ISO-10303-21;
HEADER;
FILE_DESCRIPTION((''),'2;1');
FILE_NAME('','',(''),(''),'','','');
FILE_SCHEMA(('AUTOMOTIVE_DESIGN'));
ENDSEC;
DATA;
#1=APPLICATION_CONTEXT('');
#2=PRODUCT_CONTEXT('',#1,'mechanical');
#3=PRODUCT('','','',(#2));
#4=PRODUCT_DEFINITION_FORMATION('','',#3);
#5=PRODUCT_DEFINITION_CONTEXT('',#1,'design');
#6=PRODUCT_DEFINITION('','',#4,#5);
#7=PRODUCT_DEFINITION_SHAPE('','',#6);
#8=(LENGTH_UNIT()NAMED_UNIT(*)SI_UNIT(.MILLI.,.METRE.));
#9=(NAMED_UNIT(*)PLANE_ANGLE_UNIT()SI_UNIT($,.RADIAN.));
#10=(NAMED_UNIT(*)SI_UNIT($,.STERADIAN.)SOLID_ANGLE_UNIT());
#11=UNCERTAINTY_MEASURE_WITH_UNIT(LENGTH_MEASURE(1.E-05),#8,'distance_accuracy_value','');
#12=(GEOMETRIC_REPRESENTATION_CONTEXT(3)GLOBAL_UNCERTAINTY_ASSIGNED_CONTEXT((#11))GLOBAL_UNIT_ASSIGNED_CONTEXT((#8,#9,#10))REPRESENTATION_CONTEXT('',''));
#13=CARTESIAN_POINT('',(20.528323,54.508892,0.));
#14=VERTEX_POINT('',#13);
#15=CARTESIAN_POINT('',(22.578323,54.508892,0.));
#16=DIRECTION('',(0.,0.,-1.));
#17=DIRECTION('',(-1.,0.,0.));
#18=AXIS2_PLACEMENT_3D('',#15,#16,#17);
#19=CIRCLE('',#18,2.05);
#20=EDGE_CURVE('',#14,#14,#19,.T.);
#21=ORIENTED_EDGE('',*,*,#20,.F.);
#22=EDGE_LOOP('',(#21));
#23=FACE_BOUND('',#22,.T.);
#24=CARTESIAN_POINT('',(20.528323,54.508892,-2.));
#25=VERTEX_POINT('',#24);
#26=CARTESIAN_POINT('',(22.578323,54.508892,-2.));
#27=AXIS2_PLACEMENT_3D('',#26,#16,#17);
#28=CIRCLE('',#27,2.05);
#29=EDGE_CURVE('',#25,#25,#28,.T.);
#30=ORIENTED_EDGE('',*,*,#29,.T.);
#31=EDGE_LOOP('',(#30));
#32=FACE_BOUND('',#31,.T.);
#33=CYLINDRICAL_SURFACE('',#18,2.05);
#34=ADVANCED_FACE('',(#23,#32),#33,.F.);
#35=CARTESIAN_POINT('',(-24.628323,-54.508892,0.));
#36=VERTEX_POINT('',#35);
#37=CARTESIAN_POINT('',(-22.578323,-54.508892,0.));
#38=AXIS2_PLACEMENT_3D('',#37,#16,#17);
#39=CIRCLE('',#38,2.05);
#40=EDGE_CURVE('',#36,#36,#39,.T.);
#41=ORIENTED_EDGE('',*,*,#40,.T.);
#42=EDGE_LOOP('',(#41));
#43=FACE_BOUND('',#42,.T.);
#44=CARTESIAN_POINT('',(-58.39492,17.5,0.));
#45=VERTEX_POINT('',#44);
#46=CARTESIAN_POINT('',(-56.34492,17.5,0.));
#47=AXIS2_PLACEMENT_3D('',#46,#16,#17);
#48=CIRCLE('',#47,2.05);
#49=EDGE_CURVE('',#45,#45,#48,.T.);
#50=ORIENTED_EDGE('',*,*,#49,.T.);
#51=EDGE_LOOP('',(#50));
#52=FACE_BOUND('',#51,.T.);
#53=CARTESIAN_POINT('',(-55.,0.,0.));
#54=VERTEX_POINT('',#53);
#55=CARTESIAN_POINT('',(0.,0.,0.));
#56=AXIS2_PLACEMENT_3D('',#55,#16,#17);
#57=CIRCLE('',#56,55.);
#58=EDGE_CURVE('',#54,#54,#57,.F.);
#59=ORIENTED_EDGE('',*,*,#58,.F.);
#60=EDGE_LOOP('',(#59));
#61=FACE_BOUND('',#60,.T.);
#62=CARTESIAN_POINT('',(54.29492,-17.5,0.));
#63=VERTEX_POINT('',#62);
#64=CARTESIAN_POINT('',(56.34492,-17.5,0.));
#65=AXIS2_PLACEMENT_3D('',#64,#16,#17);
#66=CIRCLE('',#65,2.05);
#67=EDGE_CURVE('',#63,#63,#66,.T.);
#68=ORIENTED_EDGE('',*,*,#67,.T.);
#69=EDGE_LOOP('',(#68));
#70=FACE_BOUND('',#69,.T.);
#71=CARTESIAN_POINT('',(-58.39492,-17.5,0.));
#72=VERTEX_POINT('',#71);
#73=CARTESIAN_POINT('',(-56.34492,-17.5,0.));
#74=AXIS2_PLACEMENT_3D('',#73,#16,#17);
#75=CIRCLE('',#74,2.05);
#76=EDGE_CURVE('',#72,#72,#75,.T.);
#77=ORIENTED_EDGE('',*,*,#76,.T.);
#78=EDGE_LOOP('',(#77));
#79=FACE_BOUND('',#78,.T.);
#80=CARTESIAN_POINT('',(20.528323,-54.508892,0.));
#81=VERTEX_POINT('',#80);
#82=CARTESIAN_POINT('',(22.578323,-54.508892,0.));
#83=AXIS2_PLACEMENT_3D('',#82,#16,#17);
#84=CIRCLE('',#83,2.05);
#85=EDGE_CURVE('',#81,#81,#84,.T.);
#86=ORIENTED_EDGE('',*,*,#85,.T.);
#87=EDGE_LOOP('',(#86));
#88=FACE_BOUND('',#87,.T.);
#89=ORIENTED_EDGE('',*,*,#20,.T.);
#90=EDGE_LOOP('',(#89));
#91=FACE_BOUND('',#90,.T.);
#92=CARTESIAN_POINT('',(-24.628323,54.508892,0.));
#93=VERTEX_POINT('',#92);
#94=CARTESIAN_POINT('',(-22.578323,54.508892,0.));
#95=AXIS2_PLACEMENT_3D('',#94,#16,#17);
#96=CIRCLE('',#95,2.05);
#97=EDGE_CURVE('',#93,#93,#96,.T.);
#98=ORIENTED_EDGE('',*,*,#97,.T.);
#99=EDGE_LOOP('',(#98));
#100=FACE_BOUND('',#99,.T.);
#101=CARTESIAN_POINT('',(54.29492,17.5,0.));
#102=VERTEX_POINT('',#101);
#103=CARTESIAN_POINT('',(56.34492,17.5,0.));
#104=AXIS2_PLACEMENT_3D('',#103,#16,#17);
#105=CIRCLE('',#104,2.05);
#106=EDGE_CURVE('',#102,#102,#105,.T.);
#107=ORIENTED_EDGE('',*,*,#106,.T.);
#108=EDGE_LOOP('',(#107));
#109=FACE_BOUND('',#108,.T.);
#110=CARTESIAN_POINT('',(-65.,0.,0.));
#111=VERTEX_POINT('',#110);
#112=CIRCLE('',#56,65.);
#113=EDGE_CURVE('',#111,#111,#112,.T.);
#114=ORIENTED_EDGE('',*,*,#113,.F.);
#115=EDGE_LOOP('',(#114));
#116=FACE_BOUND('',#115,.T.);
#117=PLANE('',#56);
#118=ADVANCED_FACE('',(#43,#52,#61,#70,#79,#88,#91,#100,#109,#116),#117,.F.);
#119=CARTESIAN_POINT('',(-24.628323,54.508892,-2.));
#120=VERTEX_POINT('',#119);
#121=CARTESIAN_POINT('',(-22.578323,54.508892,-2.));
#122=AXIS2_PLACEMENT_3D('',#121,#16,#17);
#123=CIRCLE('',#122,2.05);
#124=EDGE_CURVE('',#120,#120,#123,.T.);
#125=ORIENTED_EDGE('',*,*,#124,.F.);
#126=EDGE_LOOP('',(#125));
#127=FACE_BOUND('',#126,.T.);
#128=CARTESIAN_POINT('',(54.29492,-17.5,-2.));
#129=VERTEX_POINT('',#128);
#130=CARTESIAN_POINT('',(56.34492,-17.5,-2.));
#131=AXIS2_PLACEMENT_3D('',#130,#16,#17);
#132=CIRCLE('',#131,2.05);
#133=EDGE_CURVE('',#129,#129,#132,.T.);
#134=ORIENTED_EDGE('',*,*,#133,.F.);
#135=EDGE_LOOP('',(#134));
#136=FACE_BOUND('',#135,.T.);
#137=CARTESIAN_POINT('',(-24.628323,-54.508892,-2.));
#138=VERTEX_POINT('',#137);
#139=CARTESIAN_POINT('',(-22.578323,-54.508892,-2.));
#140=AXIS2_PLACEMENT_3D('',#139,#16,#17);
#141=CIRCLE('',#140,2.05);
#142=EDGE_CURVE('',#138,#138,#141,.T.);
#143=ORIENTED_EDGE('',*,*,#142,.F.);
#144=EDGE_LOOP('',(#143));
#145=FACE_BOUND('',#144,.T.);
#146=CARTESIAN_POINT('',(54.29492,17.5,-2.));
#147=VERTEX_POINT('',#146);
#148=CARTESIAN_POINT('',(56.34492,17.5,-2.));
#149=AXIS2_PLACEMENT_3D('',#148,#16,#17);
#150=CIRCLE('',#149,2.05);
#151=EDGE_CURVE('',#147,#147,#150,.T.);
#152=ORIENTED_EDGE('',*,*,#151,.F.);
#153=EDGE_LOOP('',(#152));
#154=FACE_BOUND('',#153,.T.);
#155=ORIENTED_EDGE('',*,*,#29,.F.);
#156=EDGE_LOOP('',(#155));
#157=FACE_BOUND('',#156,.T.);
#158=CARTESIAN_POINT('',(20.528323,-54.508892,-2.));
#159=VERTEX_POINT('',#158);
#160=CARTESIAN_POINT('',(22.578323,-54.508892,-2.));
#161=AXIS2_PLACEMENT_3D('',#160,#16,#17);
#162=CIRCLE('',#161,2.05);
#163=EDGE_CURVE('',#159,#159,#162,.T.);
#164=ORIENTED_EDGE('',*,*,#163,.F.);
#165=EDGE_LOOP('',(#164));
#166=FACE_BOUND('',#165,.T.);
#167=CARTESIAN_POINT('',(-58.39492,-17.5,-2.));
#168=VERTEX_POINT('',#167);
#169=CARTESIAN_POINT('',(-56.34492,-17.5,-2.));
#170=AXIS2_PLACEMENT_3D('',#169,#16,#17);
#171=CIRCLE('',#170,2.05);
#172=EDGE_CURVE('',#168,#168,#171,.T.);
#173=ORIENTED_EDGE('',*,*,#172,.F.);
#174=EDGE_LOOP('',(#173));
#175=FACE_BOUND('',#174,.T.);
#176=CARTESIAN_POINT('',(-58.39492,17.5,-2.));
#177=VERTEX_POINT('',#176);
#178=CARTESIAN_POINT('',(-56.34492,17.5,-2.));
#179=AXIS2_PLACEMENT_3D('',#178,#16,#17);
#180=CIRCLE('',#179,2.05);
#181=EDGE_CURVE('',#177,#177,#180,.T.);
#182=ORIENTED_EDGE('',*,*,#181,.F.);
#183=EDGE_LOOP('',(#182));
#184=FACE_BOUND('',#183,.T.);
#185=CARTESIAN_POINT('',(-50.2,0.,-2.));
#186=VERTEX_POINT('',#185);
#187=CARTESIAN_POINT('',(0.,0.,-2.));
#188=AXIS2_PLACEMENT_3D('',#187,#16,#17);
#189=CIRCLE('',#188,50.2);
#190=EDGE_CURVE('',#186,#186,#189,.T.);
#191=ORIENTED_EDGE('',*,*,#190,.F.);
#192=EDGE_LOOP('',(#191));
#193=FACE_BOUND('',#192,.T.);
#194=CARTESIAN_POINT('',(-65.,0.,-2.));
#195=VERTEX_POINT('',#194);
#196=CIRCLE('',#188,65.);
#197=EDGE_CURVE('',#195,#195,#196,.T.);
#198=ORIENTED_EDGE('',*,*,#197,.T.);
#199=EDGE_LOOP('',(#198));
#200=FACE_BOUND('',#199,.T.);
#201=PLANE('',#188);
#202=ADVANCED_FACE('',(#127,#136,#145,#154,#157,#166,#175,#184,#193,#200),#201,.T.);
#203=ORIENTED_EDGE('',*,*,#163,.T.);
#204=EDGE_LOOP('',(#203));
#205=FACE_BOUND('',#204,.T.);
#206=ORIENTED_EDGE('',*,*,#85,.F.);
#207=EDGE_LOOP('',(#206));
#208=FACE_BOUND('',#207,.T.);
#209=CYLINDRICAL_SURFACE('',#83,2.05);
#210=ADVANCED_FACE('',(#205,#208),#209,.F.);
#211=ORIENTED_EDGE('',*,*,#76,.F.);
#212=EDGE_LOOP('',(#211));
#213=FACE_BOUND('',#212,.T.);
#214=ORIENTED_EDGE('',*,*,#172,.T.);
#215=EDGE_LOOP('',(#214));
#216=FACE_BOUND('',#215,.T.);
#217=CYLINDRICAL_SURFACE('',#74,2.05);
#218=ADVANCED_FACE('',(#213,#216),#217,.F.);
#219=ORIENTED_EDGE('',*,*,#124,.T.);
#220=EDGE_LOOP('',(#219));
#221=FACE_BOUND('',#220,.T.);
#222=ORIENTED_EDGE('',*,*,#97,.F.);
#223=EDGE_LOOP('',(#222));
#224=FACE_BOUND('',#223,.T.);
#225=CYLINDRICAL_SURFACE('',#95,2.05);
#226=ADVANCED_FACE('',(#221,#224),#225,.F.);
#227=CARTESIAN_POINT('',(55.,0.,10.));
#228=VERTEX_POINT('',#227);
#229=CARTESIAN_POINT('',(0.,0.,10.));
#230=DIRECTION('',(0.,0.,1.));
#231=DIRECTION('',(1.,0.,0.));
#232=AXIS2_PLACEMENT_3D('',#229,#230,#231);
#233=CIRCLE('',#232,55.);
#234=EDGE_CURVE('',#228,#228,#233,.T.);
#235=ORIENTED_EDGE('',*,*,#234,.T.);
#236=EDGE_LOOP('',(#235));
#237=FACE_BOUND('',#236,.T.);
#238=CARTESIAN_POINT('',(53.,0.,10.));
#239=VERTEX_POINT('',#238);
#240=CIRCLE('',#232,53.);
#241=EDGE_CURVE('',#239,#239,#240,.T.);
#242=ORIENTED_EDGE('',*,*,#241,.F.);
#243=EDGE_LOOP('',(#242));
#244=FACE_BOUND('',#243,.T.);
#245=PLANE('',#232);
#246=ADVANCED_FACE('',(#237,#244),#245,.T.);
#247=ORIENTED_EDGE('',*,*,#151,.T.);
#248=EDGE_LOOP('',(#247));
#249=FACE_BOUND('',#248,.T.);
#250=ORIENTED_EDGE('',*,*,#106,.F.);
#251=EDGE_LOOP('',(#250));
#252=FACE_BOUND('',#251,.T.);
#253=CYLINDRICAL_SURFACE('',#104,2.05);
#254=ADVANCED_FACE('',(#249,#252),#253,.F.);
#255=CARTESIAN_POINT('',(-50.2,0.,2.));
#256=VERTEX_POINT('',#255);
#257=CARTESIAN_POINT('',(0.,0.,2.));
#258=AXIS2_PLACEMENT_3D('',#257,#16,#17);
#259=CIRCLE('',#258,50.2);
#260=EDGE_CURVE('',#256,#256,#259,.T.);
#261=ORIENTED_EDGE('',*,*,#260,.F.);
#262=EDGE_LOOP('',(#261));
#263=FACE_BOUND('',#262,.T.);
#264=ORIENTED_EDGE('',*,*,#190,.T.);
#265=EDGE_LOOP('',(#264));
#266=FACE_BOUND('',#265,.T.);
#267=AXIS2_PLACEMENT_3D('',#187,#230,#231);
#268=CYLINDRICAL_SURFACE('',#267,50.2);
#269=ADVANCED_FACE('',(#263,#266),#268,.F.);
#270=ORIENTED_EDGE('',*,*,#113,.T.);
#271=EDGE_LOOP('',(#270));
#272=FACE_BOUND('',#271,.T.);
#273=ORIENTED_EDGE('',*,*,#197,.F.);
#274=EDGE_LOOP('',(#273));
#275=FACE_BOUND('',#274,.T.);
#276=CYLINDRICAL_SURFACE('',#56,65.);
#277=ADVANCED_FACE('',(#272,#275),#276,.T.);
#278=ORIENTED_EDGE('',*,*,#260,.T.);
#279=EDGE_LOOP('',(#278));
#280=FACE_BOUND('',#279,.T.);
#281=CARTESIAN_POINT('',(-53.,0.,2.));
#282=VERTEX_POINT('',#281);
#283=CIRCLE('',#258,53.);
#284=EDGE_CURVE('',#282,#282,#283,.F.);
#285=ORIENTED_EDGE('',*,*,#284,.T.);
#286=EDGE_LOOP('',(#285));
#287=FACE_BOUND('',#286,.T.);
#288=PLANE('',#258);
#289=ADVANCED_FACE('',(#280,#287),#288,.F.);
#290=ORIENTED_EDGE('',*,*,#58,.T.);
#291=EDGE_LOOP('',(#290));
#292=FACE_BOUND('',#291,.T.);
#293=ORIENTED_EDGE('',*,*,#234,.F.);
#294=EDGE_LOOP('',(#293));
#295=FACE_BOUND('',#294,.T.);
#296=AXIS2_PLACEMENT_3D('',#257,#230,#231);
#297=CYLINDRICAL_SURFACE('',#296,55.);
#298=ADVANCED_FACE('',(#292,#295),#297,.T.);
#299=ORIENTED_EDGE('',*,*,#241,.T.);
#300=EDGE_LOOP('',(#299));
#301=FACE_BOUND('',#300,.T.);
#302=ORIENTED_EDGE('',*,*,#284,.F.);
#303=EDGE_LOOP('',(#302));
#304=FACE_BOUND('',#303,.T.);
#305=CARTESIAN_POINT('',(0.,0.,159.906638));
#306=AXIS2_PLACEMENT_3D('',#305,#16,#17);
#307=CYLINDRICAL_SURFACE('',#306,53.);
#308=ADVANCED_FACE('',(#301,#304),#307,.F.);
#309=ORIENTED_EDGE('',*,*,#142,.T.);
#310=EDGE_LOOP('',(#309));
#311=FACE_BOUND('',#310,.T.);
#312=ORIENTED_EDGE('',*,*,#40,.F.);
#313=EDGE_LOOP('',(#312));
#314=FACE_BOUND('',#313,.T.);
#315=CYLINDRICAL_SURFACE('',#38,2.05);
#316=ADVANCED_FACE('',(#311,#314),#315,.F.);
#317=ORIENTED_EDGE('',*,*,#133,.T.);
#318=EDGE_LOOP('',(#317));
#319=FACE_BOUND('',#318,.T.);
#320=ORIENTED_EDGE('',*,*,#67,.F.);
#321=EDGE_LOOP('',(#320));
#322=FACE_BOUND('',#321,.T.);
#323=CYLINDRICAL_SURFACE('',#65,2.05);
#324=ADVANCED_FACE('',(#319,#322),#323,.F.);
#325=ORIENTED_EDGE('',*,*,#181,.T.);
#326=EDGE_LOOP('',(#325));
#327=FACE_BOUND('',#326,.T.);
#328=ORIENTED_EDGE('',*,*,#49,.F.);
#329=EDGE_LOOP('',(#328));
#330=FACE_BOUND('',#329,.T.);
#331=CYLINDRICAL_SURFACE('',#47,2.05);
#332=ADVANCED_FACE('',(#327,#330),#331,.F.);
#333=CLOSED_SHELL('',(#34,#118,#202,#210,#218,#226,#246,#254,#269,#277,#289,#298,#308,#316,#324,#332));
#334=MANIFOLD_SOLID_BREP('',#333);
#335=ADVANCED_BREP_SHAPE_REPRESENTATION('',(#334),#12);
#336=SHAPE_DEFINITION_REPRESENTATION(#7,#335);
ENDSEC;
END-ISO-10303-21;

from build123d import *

# Parameters (mm, degrees)
SKETCH_1_R          = 65
SKETCH_1_R_2        = 50.2
SKETCH_1_R_3        = 0.5
EXTRUDE_1_DEPTH     = 10
SKETCH_2_R          = 53
CUT_EXTRUDE_1_DEPTH = 8
CUT_EXTRUDE_START   = -8
SKETCH_9_R          = 65
SKETCH_9_R_2        = 55
CUT_EXTRUDE_2_DEPTH = 8
SKETCH_11_R         = 65
SKETCH_11_R_2       = 55
CUT_EXTRUDE_4_DEPTH = 15
SKETCH_12_R         = 53
CUT_EXTRUDE_6_DEPTH = 15
SKETCH_13_R         = 55
SKETCH_13_R_2       = 50.2
EXTRUDE_2_DEPTH     = 2
EXTRUDE_START       = -2
SKETCH_14_R         = 65
SKETCH_14_R_2       = 2.05
SKETCH_14_R_3       = 50.2
EXTRUDE_3_DEPTH     = 2


with BuildPart() as part:
    # 草图1 → 凸台-拉伸1 (new body)
    with BuildSketch(Plane.XY):
        Circle(SKETCH_1_R)
        Circle(SKETCH_1_R_2, mode=Mode.SUBTRACT)
        with Locations((0, 59)):
            Circle(SKETCH_1_R_3, mode=Mode.SUBTRACT)
        with Locations((29.5, 51.095498823)):
            Circle(SKETCH_1_R_3, mode=Mode.SUBTRACT)
        with Locations((51.095498823, 29.5)):
            Circle(SKETCH_1_R_3, mode=Mode.SUBTRACT)
        with Locations((59, 0)):
            Circle(SKETCH_1_R_3, mode=Mode.SUBTRACT)
        with Locations((51.095498823, -29.5)):
            Circle(SKETCH_1_R_3, mode=Mode.SUBTRACT)
        with Locations((29.5, -51.095498823)):
            Circle(SKETCH_1_R_3, mode=Mode.SUBTRACT)
        with Locations((0, -59)):
            Circle(SKETCH_1_R_3, mode=Mode.SUBTRACT)
        with Locations((-29.5, -51.095498823)):
            Circle(SKETCH_1_R_3, mode=Mode.SUBTRACT)
        with Locations((-51.095498823, -29.5)):
            Circle(SKETCH_1_R_3, mode=Mode.SUBTRACT)
        with Locations((-59, 0)):
            Circle(SKETCH_1_R_3, mode=Mode.SUBTRACT)
        with Locations((-51.095498823, 29.5)):
            Circle(SKETCH_1_R_3, mode=Mode.SUBTRACT)
        with Locations((-29.5, 51.095498823)):
            Circle(SKETCH_1_R_3, mode=Mode.SUBTRACT)
    extrude(amount=EXTRUDE_1_DEPTH)

    # 草图2 → 切除-拉伸1 (cut)
    with BuildSketch(Plane(origin=(0, 0, 0), x_dir=(-1, 0, 0), z_dir=(0, 0, -1))):
        Circle(SKETCH_2_R)
    extrude(amount=-CUT_EXTRUDE_1_DEPTH, mode=Mode.SUBTRACT)

    # 草图9 → 切除-拉伸2 (cut)
    with BuildSketch(Plane.XY.offset(10).offset(CUT_EXTRUDE_START)):
        Circle(SKETCH_9_R)
        Circle(SKETCH_9_R_2, mode=Mode.SUBTRACT)
    extrude(amount=CUT_EXTRUDE_2_DEPTH, mode=Mode.SUBTRACT)

    # 草图11 → 切除-拉伸4 (cut, symmetric)
    with BuildSketch(Plane.XY.offset(2)):
        Circle(SKETCH_11_R)
        Circle(SKETCH_11_R_2, mode=Mode.SUBTRACT)
    extrude(amount=CUT_EXTRUDE_4_DEPTH, both=True, mode=Mode.SUBTRACT)

    # 草图12 → 切除-拉伸6 (cut, symmetric)
    with BuildSketch(Plane(origin=(0, 0, 8), x_dir=(-1, 0, 0), z_dir=(0, 0, -1))):
        Circle(SKETCH_12_R)
    extrude(amount=CUT_EXTRUDE_6_DEPTH, both=True, mode=Mode.SUBTRACT)

    # 草图13 → 凸台-拉伸2 (add, symmetric)
    with BuildSketch(Plane(origin=(0, 0, 0), x_dir=(-1, 0, 0), z_dir=(0, 0, -1))):
        with Locations(Location((0, 0, 0), (0, 0, 180))):
            Circle(SKETCH_13_R)
        Circle(SKETCH_13_R_2, mode=Mode.SUBTRACT)
    extrude(amount=EXTRUDE_2_DEPTH, both=True)

    # 草图14 → 凸台-拉伸3 (add)
    with BuildSketch(Plane(origin=(0, 0, -2), x_dir=(-1, 0, 0), z_dir=(0, 0, -1)).offset(EXTRUDE_START)):
        Circle(SKETCH_14_R)
        with Locations((22.57832251, 54.508892418)):
            Circle(SKETCH_14_R_2, mode=Mode.SUBTRACT)
        with Locations((22.57832251, -54.508892418)):
            Circle(SKETCH_14_R_2, mode=Mode.SUBTRACT)
        with Locations((-22.57832251, -54.508892418)):
            Circle(SKETCH_14_R_2, mode=Mode.SUBTRACT)
        with Locations((-22.57832251, 54.508892418)):
            Circle(SKETCH_14_R_2, mode=Mode.SUBTRACT)
        Circle(SKETCH_14_R_3, mode=Mode.SUBTRACT)
        with Locations((-56.344919913, 17.5)):
            Circle(SKETCH_14_R_2, mode=Mode.SUBTRACT)
        with Locations((-56.344919913, -17.5)):
            Circle(SKETCH_14_R_2, mode=Mode.SUBTRACT)
        with Locations((56.344919913, 17.5)):
            Circle(SKETCH_14_R_2, mode=Mode.SUBTRACT)
        with Locations((56.344919913, -17.5)):
            Circle(SKETCH_14_R_2, mode=Mode.SUBTRACT)
    extrude(amount=EXTRUDE_3_DEPTH)


solid = part.part
